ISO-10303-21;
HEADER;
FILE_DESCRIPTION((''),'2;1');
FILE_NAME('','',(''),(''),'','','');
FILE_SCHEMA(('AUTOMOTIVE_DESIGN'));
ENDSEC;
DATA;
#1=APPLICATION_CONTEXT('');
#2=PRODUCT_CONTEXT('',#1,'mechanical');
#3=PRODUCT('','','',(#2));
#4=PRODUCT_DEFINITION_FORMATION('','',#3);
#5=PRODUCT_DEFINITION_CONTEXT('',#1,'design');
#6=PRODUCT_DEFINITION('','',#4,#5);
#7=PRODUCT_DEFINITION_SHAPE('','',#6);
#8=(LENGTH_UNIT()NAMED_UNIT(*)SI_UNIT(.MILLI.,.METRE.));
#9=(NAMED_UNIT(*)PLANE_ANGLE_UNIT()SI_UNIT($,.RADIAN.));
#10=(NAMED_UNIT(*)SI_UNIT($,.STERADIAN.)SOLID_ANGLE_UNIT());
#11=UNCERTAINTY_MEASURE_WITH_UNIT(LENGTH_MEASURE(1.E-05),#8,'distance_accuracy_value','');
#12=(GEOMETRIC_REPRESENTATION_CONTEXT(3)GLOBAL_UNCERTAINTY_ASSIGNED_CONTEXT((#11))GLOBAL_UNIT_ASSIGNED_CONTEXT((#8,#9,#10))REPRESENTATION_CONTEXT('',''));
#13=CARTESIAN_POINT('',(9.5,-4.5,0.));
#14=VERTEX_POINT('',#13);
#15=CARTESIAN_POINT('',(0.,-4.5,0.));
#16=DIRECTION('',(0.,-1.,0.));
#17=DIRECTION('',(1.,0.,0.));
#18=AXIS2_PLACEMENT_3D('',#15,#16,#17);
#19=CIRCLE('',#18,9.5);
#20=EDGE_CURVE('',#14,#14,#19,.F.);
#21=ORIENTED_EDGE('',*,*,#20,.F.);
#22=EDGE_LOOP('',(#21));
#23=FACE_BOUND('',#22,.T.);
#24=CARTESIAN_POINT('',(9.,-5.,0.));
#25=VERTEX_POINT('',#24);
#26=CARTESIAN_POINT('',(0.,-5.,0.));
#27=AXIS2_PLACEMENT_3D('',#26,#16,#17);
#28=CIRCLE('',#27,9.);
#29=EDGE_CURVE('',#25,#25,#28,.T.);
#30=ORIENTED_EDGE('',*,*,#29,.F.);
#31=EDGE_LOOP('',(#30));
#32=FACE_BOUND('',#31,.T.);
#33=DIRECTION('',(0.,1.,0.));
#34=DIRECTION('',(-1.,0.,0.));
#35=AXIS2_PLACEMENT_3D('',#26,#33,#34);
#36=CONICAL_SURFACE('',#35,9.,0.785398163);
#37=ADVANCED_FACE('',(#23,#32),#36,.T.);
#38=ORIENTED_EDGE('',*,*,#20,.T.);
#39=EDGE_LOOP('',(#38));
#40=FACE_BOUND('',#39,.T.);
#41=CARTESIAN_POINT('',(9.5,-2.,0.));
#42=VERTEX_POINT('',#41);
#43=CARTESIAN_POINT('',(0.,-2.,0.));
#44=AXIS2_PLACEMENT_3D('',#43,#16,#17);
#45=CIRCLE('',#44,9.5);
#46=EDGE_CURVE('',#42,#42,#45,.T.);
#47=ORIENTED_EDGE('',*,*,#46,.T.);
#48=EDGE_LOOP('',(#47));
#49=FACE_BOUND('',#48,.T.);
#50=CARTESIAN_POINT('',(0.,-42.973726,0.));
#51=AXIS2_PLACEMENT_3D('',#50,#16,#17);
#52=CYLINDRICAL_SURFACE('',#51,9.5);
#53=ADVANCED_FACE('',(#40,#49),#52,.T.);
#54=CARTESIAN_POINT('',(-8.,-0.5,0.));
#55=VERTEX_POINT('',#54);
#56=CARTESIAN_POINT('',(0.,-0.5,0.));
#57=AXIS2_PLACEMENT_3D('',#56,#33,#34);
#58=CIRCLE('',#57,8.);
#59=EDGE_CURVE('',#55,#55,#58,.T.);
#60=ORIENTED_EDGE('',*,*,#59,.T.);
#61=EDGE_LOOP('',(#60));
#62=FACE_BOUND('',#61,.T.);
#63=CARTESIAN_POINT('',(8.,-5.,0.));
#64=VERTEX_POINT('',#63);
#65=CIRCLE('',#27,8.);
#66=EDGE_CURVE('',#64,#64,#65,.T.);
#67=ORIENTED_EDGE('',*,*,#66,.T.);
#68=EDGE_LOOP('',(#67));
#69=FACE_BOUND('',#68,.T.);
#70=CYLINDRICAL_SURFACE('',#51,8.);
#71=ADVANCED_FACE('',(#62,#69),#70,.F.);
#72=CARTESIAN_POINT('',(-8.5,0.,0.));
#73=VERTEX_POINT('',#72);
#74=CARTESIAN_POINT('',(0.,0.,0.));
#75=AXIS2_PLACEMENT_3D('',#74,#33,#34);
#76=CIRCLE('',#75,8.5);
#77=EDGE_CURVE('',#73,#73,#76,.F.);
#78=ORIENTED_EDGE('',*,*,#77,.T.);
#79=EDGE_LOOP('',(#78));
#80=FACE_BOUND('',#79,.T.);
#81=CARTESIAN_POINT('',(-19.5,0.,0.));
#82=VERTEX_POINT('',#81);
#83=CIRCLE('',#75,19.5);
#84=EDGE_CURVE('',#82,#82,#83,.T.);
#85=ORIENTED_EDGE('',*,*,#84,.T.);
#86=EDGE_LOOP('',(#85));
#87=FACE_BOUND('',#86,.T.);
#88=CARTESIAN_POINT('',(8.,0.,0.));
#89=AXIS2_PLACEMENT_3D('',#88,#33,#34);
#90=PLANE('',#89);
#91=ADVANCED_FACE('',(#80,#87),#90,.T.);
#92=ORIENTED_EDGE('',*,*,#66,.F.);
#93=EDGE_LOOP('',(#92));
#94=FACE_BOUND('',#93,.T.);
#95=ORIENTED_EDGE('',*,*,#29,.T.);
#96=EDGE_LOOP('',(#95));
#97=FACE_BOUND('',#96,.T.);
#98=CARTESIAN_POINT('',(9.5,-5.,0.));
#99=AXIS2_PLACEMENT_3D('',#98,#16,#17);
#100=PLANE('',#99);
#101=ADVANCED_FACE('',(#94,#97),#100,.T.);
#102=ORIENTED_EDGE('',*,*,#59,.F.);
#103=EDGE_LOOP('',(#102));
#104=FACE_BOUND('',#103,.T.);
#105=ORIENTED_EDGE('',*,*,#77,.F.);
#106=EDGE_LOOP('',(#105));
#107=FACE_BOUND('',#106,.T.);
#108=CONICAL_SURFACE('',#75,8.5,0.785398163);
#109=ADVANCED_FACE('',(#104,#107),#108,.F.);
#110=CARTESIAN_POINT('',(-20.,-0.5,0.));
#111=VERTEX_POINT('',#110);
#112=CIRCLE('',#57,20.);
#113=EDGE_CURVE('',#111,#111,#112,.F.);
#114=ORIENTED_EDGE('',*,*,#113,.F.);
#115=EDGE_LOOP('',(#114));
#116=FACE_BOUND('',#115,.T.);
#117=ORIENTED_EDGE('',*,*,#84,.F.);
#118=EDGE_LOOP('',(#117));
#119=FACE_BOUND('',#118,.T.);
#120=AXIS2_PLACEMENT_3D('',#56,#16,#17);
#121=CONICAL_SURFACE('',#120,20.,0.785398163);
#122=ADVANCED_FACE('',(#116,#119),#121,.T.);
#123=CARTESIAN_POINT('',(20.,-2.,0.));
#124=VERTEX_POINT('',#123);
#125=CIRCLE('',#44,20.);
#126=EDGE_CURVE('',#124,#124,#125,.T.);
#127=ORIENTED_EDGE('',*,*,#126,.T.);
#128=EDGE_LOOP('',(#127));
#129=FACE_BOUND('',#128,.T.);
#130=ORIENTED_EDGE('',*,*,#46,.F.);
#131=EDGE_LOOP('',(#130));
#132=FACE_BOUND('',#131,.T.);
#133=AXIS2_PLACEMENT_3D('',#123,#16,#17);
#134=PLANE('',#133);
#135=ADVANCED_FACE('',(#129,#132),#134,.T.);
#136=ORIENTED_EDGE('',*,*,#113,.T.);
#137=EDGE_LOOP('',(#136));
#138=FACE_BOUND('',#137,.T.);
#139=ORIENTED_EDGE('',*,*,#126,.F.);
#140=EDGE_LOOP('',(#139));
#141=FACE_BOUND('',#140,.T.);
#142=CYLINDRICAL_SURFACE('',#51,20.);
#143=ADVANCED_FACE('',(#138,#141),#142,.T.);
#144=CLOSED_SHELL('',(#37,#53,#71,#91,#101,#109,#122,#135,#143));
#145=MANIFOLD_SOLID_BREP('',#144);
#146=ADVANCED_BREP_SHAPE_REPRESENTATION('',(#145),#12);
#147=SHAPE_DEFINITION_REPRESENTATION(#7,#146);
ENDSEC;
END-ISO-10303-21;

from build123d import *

# Parameters (mm, degrees)
SMUSSO1_SIZE = 0.5


with BuildPart() as part:
    # Schizzo1 → Rivoluzione1 (revolve)
    with BuildSketch(Plane.XY):
        Polygon((8, 0), (20, 0), (20, -2), (9.5, -2), (9.5, -5), (8, -5), align=None)
    revolve(axis=Axis((0, -42.973726115, 0), (0, 1, 0)))

    # Smusso1
    smusso1_edges = [part.edges().sort_by_distance(p)[0] for p in [
        (-9.5, -5, 0),
        (-20, 0, 0),
        (-8, 0, 0),
    ]]
    chamfer(smusso1_edges, length=SMUSSO1_SIZE)


solid = part.part
